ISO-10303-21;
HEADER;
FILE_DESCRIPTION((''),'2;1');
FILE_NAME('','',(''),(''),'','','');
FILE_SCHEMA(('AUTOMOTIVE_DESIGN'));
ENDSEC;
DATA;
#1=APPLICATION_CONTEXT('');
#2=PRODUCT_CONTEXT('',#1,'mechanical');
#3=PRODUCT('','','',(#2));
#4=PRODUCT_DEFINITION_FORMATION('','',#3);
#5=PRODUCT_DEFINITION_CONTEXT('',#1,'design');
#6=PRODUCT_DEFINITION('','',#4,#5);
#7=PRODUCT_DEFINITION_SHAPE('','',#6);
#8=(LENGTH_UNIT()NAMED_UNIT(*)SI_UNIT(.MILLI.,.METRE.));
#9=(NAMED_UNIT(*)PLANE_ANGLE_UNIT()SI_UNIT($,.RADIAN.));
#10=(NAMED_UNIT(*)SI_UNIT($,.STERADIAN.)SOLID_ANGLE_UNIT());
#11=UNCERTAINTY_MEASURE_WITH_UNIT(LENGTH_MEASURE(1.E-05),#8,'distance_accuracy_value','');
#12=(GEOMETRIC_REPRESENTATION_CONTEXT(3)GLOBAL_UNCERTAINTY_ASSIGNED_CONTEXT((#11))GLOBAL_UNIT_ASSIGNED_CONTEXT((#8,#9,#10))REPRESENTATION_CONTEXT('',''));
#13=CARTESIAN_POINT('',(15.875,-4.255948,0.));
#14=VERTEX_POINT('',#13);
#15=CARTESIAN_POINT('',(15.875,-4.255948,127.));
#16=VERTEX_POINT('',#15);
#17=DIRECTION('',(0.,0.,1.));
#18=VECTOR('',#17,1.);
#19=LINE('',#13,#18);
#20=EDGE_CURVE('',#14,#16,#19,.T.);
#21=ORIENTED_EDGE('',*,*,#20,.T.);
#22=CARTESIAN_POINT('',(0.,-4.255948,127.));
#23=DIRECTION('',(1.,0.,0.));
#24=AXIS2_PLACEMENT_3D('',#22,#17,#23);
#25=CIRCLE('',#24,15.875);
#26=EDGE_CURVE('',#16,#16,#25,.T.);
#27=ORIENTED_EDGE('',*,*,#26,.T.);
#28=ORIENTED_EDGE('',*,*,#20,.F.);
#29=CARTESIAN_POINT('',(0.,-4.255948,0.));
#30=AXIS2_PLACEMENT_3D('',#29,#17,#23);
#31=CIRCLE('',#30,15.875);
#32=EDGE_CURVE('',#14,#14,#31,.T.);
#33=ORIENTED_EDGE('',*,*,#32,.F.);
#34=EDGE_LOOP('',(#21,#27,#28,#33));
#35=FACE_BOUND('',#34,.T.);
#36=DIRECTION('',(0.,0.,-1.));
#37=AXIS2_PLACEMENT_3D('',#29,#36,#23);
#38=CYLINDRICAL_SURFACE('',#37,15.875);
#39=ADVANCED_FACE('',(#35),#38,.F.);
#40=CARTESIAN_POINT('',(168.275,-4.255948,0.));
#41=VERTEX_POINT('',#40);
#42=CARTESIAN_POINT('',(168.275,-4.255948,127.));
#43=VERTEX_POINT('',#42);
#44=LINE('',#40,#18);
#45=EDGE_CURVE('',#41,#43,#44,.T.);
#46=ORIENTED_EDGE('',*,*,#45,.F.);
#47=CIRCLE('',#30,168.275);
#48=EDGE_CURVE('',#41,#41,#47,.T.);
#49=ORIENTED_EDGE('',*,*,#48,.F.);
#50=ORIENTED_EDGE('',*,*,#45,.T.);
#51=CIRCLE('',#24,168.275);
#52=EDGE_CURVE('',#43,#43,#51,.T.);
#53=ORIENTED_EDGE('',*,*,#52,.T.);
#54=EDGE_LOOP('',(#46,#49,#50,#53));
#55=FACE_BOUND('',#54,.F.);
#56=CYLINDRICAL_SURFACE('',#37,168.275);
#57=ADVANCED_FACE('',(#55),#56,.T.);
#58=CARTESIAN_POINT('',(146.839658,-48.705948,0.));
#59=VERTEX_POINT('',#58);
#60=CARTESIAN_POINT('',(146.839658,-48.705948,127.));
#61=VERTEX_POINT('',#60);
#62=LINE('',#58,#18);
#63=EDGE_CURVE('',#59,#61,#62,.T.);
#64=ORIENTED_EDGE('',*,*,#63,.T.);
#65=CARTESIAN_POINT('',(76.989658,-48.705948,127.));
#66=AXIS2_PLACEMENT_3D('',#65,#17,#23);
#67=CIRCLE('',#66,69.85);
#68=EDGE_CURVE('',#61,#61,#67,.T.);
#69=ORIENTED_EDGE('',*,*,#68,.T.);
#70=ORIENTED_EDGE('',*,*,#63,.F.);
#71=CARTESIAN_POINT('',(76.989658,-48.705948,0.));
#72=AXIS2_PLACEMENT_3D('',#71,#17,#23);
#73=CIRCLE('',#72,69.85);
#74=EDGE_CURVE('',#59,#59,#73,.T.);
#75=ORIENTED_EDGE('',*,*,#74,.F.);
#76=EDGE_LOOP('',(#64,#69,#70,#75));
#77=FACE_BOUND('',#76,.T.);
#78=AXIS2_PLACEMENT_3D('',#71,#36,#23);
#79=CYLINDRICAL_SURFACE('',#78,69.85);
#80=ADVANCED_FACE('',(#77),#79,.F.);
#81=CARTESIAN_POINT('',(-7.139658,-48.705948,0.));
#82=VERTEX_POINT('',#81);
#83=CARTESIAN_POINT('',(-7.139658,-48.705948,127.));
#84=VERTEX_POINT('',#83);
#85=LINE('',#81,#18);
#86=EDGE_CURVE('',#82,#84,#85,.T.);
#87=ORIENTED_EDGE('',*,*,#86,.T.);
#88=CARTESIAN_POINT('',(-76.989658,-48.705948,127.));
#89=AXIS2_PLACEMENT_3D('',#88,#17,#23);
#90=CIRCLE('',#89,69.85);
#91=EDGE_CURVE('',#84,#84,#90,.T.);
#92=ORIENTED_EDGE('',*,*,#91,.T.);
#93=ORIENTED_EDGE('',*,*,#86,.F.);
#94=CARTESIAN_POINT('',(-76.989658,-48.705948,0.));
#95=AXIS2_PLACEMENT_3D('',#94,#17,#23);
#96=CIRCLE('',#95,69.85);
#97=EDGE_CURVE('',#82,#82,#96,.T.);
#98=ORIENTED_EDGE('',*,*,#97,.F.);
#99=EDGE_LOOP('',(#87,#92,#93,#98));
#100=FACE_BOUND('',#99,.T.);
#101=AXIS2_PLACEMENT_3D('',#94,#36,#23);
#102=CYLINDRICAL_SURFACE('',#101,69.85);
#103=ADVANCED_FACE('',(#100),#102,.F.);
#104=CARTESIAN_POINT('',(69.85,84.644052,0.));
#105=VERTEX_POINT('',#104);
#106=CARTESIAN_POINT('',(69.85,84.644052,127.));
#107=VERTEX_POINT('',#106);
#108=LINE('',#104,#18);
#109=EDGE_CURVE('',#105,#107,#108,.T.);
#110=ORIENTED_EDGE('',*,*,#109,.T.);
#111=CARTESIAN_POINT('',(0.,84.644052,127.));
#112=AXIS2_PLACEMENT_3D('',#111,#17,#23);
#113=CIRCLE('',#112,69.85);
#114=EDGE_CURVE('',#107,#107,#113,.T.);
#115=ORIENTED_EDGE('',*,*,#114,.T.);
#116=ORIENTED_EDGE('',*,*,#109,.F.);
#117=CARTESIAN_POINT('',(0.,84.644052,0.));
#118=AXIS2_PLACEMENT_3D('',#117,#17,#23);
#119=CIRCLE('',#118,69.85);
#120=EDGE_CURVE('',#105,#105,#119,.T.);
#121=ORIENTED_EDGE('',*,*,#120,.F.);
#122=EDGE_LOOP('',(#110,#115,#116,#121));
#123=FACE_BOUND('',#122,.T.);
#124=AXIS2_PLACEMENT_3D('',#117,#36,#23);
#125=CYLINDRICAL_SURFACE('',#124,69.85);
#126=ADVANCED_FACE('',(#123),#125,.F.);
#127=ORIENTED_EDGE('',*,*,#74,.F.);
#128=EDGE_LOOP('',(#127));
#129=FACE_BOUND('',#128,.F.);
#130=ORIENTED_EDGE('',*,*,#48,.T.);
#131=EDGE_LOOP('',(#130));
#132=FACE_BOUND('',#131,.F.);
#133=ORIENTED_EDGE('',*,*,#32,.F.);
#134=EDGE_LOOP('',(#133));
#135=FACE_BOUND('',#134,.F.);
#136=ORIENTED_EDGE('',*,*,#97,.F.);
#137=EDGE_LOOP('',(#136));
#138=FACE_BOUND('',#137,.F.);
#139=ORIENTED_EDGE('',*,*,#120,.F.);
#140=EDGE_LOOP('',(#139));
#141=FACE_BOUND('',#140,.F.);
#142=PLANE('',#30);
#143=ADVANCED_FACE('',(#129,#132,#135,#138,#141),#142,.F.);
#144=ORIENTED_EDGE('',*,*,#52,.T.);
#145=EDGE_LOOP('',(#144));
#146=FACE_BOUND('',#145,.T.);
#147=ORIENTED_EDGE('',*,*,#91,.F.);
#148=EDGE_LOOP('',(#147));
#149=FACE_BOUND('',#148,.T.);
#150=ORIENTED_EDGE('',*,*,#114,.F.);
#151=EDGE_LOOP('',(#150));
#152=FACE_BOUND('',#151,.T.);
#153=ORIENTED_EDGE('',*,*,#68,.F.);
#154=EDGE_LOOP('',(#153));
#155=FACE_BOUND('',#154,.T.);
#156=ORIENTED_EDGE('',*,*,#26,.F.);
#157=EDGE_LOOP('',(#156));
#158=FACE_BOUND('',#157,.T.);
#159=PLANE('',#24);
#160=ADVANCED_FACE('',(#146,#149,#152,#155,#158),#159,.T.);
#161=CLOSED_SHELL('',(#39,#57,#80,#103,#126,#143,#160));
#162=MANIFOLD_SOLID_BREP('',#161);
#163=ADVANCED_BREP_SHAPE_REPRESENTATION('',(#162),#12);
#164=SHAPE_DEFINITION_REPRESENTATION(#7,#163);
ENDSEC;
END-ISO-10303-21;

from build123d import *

# Parameters (mm, degrees)
F0_R     = 168.275
F0_R_2   = 69.85
F0_R_3   = 15.875
F1_DEPTH = 127


with BuildPart() as f1:
    # F0 (on Top) → F1 (new body)
    with BuildSketch(Plane.XY):
        with Locations((0, -4.255948)):
            Circle(F0_R)
        with Locations((-76.989658, -48.705948)):
            Circle(F0_R_2, mode=Mode.SUBTRACT)
        with Locations((76.989658, -48.705948)):
            Circle(F0_R_2, mode=Mode.SUBTRACT)
        with Locations((0, -4.255948)):
            Circle(F0_R_3, mode=Mode.SUBTRACT)
        with Locations((0, 84.644052)):
            Circle(F0_R_2, mode=Mode.SUBTRACT)
    extrude(amount=F1_DEPTH)


solid = f1.part
